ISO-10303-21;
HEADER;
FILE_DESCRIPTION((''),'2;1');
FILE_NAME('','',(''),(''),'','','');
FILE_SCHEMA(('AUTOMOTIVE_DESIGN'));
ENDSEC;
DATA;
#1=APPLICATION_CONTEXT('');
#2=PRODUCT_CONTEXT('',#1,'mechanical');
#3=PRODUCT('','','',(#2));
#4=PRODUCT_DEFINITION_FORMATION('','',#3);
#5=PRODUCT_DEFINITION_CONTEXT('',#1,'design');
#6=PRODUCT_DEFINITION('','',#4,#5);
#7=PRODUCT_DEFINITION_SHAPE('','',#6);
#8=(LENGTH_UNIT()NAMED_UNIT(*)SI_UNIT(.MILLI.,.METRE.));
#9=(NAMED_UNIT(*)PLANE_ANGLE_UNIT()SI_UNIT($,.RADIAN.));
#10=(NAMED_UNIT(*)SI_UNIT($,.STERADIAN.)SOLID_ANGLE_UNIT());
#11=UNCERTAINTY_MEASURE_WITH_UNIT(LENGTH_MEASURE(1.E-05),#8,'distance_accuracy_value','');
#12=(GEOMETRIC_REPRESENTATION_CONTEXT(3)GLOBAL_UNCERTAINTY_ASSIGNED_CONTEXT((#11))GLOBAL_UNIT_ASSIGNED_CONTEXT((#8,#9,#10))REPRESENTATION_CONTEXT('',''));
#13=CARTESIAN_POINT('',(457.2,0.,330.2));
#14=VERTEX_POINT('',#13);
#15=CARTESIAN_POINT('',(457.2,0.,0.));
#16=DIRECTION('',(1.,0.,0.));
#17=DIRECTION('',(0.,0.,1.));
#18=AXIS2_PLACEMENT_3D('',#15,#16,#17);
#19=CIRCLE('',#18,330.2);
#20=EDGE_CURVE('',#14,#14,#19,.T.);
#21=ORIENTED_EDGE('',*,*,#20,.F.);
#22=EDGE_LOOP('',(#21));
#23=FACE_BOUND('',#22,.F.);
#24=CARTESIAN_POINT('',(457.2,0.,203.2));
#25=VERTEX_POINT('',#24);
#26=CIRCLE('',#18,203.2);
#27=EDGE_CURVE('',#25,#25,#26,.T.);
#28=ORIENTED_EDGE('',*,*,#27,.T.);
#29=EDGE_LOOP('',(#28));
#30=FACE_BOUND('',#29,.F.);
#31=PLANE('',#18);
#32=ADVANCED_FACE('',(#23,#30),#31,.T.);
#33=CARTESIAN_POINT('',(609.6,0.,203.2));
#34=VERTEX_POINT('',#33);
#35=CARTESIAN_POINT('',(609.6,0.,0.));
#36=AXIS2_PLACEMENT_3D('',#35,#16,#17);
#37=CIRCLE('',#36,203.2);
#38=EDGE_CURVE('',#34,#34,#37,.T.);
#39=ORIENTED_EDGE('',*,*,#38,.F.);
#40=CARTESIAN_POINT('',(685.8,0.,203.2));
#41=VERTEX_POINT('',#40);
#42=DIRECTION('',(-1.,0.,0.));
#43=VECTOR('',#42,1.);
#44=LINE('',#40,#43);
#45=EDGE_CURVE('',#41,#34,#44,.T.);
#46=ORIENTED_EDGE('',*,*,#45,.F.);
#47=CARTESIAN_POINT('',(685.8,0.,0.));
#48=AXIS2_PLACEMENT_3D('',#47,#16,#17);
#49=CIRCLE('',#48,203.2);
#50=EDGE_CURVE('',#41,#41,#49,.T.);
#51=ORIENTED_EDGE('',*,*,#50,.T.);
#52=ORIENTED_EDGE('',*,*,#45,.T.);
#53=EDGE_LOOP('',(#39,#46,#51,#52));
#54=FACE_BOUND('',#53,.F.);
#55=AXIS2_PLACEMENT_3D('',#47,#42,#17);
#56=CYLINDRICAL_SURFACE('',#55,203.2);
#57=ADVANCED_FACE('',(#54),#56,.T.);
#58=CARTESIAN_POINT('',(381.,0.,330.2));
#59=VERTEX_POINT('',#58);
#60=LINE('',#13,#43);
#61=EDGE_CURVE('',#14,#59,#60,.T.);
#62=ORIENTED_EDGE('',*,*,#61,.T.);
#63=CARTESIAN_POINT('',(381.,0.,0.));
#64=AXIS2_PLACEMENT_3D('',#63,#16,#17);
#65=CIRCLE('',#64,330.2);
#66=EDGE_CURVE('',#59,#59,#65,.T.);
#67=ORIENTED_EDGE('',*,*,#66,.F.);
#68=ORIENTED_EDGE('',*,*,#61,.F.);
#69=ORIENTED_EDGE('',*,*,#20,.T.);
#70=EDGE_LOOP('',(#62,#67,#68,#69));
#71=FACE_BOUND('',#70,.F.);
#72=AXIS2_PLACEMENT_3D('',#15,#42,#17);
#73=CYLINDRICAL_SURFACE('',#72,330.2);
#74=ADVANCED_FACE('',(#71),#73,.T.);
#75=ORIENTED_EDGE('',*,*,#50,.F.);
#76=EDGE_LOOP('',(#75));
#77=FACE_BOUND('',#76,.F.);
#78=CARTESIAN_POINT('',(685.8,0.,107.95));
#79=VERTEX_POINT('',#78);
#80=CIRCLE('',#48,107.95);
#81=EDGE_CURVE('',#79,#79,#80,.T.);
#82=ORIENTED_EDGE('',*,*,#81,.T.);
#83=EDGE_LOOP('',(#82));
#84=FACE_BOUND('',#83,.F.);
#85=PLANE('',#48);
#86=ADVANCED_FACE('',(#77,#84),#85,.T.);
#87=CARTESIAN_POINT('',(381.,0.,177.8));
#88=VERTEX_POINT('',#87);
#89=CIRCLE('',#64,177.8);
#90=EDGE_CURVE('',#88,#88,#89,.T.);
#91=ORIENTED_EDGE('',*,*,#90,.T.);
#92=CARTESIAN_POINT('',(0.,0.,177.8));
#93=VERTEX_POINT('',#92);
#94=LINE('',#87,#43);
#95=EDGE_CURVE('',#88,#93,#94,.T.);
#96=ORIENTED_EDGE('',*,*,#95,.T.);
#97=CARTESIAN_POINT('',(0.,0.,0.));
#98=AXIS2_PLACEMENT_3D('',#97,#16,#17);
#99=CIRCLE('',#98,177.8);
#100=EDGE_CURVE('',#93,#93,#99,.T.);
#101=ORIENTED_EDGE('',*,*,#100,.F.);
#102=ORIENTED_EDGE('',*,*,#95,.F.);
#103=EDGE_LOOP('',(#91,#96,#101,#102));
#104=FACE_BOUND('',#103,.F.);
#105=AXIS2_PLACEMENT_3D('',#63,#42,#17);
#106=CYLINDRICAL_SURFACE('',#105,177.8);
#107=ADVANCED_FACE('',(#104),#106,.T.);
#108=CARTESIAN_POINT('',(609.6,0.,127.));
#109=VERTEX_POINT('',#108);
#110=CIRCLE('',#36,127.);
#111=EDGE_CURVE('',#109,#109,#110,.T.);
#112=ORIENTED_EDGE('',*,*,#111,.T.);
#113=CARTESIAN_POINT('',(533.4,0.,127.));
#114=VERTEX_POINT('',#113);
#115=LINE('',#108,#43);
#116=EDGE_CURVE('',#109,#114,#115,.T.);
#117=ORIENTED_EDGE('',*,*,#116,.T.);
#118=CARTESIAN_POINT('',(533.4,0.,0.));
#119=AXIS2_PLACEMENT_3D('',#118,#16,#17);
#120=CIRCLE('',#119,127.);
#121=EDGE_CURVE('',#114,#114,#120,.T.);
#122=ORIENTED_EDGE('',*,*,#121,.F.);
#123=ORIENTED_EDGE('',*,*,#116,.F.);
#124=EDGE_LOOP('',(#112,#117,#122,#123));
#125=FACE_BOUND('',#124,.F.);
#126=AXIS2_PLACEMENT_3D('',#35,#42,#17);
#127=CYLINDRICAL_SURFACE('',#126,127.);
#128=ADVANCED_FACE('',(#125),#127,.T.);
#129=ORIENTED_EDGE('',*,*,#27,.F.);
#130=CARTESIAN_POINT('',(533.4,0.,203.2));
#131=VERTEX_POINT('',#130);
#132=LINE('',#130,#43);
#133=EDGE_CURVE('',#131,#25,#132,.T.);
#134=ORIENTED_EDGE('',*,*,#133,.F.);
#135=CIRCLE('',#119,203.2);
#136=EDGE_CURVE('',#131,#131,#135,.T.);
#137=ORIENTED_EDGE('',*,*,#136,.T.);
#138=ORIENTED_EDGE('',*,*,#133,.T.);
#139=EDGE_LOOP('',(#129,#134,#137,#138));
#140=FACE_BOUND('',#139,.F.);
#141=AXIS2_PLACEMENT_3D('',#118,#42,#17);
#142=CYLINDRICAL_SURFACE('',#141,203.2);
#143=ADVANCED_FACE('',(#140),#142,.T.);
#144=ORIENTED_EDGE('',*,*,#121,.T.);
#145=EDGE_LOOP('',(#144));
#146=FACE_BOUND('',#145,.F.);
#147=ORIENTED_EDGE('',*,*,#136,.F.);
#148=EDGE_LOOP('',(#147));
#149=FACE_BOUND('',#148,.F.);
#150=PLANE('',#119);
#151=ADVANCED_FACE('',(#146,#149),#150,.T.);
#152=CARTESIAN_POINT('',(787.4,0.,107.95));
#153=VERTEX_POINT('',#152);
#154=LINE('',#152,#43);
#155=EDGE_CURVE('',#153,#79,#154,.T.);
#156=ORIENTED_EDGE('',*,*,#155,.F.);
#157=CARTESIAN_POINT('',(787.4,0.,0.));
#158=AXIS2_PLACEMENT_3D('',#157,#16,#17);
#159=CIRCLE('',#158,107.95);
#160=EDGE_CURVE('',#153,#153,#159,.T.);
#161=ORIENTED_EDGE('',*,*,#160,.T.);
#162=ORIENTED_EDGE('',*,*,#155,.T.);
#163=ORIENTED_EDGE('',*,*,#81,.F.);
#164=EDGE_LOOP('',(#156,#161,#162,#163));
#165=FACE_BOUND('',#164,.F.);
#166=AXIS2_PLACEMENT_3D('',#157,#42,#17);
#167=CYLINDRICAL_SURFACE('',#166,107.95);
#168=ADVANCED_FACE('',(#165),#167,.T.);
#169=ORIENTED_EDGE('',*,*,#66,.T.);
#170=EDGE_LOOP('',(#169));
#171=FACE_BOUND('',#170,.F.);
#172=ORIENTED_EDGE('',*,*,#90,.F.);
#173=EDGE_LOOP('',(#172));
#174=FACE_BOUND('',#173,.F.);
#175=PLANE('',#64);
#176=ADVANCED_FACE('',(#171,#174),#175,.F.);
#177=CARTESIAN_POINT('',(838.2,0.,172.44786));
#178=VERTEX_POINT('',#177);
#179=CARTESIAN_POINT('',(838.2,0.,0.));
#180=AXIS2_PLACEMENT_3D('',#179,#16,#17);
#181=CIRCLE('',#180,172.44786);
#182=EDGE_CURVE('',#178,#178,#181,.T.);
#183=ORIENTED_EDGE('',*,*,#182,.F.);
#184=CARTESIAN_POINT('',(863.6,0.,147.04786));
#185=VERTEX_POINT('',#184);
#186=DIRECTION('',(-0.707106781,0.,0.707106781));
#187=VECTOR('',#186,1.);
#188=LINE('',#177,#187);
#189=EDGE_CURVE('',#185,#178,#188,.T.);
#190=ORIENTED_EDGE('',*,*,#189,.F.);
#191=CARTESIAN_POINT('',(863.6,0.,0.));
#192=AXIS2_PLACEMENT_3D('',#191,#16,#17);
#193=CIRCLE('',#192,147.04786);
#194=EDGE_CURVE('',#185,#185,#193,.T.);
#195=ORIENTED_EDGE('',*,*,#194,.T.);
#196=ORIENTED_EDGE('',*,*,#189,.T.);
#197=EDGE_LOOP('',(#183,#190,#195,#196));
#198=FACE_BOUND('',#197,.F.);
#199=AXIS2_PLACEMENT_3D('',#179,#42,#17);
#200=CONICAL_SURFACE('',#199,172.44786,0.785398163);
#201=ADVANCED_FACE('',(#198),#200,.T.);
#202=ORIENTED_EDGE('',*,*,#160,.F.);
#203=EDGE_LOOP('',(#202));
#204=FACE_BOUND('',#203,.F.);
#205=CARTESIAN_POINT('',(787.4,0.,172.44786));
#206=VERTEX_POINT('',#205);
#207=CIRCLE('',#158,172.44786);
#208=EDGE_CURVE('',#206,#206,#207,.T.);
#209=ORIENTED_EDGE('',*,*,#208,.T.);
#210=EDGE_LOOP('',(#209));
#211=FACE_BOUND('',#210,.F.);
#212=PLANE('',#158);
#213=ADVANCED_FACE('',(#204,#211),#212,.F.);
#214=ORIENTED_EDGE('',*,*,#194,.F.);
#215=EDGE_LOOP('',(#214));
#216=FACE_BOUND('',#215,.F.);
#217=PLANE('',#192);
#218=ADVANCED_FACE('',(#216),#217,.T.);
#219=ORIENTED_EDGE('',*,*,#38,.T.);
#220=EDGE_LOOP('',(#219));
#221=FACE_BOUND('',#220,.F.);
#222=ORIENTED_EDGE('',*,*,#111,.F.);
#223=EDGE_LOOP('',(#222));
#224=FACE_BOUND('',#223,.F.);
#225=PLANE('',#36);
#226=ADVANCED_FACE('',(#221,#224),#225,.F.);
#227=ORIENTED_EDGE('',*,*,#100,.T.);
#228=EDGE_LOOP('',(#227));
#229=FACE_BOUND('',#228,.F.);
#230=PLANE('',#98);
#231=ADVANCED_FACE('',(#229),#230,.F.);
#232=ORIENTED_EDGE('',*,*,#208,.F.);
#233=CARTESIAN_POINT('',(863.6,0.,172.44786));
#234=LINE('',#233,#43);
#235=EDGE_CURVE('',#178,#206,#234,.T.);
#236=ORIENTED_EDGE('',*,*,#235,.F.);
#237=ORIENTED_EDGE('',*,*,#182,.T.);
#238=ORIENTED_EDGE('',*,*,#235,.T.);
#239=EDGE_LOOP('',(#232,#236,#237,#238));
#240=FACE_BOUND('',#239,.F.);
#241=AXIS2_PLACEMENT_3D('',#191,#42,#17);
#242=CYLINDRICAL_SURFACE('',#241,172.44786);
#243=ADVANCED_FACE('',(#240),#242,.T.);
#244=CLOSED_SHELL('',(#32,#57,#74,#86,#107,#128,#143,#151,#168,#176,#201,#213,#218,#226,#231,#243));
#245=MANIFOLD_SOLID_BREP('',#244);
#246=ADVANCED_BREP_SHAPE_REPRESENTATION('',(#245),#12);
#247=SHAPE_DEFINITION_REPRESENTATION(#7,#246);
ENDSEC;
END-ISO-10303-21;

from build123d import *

# Parameters (mm, degrees)
F2_SIZE = 25.4


with BuildPart() as f1:
    # F0 (on Front) → F1 (revolve)
    with BuildSketch(Plane.XZ):
        Polygon((0, 177.8), (0, 0), (863.6, 0), (863.6, 172.44786), (787.4, 172.44786), (787.4, 107.95), (685.8, 107.95), (685.8, 203.2), (609.6, 203.2), (609.6, 127), (533.4, 127), (533.4, 203.2), (457.2, 203.2), (457.2, 330.2), (381, 330.2), (381, 177.8), align=None)
    revolve(axis=Axis((431.8, 0, 0), (1, 0, 0)))

    # F2
    f2_edges = [f1.edges().sort_by_distance(p)[0] for p in [
        (863.6, 0, -172.44786),
    ]]
    chamfer(f2_edges, length=F2_SIZE)


solid = f1.part
